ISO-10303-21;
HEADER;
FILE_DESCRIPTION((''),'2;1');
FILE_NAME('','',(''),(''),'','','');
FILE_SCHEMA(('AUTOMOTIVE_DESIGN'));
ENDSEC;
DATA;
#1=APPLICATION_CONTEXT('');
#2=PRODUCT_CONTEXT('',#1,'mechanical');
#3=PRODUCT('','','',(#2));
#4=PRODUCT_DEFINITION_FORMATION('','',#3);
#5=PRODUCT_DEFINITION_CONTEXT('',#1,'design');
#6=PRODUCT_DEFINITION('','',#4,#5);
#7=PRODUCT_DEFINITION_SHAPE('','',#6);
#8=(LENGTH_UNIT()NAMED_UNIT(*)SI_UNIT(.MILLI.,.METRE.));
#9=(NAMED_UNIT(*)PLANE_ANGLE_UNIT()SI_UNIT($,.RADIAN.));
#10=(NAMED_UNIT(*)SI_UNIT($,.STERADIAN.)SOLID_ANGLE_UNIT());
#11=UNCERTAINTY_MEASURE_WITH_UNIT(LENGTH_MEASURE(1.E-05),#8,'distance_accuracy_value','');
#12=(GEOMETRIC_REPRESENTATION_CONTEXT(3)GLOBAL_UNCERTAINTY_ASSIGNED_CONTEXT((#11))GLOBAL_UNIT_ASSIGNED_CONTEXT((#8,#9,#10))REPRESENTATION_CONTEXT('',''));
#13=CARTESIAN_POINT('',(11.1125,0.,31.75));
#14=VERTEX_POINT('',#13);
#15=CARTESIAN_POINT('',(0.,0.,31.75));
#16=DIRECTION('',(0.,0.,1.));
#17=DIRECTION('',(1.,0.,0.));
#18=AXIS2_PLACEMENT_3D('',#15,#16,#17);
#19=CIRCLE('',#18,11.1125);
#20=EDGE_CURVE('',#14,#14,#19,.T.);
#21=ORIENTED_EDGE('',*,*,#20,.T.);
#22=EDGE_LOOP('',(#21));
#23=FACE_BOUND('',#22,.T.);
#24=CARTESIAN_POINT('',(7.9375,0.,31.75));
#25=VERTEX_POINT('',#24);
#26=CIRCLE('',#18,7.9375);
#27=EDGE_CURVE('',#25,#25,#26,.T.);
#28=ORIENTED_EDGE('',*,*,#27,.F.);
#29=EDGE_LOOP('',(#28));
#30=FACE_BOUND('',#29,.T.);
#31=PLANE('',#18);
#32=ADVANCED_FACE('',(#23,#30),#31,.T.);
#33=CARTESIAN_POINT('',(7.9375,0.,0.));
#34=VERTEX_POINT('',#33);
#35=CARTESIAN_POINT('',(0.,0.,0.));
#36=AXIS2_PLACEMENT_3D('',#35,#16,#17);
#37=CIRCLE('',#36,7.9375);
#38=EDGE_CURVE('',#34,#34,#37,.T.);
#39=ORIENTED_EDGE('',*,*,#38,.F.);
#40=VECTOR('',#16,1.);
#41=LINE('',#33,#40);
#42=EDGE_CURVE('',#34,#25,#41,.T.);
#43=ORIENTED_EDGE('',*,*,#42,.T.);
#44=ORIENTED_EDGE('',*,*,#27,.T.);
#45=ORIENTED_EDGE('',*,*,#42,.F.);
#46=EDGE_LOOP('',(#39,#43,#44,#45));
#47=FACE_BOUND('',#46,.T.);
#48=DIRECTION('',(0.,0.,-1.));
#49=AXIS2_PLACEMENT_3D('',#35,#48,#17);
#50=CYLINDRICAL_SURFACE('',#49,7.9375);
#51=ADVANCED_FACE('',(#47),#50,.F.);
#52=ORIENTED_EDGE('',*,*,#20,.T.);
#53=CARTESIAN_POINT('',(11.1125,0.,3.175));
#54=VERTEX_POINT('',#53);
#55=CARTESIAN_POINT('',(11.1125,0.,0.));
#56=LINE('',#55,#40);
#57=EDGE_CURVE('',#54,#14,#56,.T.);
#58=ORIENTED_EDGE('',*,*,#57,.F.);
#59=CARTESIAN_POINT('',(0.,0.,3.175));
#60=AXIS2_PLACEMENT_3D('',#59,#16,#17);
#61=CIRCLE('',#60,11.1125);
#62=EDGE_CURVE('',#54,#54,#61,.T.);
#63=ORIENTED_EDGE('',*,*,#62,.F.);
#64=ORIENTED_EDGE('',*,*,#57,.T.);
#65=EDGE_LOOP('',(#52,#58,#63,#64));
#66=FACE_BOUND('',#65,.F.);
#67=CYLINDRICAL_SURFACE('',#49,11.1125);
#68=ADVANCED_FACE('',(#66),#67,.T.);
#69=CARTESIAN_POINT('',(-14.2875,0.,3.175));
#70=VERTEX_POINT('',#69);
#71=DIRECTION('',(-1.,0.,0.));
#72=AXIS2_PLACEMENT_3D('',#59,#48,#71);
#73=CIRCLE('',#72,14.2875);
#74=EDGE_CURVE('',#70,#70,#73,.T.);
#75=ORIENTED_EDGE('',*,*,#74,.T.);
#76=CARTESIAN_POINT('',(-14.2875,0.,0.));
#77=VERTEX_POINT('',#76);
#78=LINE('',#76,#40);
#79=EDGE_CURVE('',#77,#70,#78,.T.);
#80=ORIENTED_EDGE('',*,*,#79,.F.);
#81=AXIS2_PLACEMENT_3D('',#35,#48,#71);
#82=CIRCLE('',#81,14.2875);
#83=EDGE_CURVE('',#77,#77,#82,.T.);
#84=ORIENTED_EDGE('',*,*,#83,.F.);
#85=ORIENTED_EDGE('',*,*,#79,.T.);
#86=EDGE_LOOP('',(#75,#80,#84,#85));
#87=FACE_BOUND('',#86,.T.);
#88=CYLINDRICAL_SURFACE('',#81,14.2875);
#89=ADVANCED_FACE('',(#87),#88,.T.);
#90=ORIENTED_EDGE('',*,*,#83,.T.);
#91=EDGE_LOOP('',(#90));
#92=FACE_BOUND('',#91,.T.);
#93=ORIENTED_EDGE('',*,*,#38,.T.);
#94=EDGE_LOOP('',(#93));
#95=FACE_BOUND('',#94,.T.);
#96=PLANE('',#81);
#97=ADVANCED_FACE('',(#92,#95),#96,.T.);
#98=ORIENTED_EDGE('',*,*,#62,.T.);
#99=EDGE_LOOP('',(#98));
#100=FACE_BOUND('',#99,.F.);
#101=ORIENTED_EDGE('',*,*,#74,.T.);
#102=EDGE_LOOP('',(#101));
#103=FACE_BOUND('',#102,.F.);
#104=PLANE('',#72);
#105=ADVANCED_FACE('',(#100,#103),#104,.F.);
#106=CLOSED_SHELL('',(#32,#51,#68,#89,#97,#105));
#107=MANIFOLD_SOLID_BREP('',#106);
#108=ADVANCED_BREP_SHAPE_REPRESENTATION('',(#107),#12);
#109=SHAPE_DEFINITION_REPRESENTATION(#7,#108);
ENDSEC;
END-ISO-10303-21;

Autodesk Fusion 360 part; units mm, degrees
sketch "Sketch1" plane through (0, 0, 0) normal (0, 0, 1) x (1, 0, 0)
  circle A0 centre (0, 0) radius 7.9375
  circle A1 centre (0, 0) radius 11.1125
  dimension "d1" = 15.875
  dimension "d2" = 22.225
extrude "Extrude1" add sketch "Sketch1" along normal blind 31.75
sketch "Sketch2" plane through (0, 0, 0) normal (0, 0, -1) x (-1, 0, 0)
  circle A0 centre (0, 0) radius 11.1125
  circle A1 centre (0, 0) radius 14.2875
  circle A2 centre (0, 0) radius 7.9375
  dimension "d5" = 28.575
extrude "Extrude2" add sketch "Sketch2" against normal blind 3.175 contours A1
equation "d1 = Shaft_ID"
equation "d2 = Housing_ID"
equation "d3 = Length"
equation "d5 = Flange_OD"
equation "d6 = FlangeT"
equation "Shaft_ID = ( 5 / 8 ) * 1 in"
equation "Housing_ID = ( 7 / 8 ) * 1 in"
equation "FlangeT = ( -1 / 8 ) * 1 in"
equation "Length = 1 1/4\""
equation "Flange_OD = 1 1/8\""
